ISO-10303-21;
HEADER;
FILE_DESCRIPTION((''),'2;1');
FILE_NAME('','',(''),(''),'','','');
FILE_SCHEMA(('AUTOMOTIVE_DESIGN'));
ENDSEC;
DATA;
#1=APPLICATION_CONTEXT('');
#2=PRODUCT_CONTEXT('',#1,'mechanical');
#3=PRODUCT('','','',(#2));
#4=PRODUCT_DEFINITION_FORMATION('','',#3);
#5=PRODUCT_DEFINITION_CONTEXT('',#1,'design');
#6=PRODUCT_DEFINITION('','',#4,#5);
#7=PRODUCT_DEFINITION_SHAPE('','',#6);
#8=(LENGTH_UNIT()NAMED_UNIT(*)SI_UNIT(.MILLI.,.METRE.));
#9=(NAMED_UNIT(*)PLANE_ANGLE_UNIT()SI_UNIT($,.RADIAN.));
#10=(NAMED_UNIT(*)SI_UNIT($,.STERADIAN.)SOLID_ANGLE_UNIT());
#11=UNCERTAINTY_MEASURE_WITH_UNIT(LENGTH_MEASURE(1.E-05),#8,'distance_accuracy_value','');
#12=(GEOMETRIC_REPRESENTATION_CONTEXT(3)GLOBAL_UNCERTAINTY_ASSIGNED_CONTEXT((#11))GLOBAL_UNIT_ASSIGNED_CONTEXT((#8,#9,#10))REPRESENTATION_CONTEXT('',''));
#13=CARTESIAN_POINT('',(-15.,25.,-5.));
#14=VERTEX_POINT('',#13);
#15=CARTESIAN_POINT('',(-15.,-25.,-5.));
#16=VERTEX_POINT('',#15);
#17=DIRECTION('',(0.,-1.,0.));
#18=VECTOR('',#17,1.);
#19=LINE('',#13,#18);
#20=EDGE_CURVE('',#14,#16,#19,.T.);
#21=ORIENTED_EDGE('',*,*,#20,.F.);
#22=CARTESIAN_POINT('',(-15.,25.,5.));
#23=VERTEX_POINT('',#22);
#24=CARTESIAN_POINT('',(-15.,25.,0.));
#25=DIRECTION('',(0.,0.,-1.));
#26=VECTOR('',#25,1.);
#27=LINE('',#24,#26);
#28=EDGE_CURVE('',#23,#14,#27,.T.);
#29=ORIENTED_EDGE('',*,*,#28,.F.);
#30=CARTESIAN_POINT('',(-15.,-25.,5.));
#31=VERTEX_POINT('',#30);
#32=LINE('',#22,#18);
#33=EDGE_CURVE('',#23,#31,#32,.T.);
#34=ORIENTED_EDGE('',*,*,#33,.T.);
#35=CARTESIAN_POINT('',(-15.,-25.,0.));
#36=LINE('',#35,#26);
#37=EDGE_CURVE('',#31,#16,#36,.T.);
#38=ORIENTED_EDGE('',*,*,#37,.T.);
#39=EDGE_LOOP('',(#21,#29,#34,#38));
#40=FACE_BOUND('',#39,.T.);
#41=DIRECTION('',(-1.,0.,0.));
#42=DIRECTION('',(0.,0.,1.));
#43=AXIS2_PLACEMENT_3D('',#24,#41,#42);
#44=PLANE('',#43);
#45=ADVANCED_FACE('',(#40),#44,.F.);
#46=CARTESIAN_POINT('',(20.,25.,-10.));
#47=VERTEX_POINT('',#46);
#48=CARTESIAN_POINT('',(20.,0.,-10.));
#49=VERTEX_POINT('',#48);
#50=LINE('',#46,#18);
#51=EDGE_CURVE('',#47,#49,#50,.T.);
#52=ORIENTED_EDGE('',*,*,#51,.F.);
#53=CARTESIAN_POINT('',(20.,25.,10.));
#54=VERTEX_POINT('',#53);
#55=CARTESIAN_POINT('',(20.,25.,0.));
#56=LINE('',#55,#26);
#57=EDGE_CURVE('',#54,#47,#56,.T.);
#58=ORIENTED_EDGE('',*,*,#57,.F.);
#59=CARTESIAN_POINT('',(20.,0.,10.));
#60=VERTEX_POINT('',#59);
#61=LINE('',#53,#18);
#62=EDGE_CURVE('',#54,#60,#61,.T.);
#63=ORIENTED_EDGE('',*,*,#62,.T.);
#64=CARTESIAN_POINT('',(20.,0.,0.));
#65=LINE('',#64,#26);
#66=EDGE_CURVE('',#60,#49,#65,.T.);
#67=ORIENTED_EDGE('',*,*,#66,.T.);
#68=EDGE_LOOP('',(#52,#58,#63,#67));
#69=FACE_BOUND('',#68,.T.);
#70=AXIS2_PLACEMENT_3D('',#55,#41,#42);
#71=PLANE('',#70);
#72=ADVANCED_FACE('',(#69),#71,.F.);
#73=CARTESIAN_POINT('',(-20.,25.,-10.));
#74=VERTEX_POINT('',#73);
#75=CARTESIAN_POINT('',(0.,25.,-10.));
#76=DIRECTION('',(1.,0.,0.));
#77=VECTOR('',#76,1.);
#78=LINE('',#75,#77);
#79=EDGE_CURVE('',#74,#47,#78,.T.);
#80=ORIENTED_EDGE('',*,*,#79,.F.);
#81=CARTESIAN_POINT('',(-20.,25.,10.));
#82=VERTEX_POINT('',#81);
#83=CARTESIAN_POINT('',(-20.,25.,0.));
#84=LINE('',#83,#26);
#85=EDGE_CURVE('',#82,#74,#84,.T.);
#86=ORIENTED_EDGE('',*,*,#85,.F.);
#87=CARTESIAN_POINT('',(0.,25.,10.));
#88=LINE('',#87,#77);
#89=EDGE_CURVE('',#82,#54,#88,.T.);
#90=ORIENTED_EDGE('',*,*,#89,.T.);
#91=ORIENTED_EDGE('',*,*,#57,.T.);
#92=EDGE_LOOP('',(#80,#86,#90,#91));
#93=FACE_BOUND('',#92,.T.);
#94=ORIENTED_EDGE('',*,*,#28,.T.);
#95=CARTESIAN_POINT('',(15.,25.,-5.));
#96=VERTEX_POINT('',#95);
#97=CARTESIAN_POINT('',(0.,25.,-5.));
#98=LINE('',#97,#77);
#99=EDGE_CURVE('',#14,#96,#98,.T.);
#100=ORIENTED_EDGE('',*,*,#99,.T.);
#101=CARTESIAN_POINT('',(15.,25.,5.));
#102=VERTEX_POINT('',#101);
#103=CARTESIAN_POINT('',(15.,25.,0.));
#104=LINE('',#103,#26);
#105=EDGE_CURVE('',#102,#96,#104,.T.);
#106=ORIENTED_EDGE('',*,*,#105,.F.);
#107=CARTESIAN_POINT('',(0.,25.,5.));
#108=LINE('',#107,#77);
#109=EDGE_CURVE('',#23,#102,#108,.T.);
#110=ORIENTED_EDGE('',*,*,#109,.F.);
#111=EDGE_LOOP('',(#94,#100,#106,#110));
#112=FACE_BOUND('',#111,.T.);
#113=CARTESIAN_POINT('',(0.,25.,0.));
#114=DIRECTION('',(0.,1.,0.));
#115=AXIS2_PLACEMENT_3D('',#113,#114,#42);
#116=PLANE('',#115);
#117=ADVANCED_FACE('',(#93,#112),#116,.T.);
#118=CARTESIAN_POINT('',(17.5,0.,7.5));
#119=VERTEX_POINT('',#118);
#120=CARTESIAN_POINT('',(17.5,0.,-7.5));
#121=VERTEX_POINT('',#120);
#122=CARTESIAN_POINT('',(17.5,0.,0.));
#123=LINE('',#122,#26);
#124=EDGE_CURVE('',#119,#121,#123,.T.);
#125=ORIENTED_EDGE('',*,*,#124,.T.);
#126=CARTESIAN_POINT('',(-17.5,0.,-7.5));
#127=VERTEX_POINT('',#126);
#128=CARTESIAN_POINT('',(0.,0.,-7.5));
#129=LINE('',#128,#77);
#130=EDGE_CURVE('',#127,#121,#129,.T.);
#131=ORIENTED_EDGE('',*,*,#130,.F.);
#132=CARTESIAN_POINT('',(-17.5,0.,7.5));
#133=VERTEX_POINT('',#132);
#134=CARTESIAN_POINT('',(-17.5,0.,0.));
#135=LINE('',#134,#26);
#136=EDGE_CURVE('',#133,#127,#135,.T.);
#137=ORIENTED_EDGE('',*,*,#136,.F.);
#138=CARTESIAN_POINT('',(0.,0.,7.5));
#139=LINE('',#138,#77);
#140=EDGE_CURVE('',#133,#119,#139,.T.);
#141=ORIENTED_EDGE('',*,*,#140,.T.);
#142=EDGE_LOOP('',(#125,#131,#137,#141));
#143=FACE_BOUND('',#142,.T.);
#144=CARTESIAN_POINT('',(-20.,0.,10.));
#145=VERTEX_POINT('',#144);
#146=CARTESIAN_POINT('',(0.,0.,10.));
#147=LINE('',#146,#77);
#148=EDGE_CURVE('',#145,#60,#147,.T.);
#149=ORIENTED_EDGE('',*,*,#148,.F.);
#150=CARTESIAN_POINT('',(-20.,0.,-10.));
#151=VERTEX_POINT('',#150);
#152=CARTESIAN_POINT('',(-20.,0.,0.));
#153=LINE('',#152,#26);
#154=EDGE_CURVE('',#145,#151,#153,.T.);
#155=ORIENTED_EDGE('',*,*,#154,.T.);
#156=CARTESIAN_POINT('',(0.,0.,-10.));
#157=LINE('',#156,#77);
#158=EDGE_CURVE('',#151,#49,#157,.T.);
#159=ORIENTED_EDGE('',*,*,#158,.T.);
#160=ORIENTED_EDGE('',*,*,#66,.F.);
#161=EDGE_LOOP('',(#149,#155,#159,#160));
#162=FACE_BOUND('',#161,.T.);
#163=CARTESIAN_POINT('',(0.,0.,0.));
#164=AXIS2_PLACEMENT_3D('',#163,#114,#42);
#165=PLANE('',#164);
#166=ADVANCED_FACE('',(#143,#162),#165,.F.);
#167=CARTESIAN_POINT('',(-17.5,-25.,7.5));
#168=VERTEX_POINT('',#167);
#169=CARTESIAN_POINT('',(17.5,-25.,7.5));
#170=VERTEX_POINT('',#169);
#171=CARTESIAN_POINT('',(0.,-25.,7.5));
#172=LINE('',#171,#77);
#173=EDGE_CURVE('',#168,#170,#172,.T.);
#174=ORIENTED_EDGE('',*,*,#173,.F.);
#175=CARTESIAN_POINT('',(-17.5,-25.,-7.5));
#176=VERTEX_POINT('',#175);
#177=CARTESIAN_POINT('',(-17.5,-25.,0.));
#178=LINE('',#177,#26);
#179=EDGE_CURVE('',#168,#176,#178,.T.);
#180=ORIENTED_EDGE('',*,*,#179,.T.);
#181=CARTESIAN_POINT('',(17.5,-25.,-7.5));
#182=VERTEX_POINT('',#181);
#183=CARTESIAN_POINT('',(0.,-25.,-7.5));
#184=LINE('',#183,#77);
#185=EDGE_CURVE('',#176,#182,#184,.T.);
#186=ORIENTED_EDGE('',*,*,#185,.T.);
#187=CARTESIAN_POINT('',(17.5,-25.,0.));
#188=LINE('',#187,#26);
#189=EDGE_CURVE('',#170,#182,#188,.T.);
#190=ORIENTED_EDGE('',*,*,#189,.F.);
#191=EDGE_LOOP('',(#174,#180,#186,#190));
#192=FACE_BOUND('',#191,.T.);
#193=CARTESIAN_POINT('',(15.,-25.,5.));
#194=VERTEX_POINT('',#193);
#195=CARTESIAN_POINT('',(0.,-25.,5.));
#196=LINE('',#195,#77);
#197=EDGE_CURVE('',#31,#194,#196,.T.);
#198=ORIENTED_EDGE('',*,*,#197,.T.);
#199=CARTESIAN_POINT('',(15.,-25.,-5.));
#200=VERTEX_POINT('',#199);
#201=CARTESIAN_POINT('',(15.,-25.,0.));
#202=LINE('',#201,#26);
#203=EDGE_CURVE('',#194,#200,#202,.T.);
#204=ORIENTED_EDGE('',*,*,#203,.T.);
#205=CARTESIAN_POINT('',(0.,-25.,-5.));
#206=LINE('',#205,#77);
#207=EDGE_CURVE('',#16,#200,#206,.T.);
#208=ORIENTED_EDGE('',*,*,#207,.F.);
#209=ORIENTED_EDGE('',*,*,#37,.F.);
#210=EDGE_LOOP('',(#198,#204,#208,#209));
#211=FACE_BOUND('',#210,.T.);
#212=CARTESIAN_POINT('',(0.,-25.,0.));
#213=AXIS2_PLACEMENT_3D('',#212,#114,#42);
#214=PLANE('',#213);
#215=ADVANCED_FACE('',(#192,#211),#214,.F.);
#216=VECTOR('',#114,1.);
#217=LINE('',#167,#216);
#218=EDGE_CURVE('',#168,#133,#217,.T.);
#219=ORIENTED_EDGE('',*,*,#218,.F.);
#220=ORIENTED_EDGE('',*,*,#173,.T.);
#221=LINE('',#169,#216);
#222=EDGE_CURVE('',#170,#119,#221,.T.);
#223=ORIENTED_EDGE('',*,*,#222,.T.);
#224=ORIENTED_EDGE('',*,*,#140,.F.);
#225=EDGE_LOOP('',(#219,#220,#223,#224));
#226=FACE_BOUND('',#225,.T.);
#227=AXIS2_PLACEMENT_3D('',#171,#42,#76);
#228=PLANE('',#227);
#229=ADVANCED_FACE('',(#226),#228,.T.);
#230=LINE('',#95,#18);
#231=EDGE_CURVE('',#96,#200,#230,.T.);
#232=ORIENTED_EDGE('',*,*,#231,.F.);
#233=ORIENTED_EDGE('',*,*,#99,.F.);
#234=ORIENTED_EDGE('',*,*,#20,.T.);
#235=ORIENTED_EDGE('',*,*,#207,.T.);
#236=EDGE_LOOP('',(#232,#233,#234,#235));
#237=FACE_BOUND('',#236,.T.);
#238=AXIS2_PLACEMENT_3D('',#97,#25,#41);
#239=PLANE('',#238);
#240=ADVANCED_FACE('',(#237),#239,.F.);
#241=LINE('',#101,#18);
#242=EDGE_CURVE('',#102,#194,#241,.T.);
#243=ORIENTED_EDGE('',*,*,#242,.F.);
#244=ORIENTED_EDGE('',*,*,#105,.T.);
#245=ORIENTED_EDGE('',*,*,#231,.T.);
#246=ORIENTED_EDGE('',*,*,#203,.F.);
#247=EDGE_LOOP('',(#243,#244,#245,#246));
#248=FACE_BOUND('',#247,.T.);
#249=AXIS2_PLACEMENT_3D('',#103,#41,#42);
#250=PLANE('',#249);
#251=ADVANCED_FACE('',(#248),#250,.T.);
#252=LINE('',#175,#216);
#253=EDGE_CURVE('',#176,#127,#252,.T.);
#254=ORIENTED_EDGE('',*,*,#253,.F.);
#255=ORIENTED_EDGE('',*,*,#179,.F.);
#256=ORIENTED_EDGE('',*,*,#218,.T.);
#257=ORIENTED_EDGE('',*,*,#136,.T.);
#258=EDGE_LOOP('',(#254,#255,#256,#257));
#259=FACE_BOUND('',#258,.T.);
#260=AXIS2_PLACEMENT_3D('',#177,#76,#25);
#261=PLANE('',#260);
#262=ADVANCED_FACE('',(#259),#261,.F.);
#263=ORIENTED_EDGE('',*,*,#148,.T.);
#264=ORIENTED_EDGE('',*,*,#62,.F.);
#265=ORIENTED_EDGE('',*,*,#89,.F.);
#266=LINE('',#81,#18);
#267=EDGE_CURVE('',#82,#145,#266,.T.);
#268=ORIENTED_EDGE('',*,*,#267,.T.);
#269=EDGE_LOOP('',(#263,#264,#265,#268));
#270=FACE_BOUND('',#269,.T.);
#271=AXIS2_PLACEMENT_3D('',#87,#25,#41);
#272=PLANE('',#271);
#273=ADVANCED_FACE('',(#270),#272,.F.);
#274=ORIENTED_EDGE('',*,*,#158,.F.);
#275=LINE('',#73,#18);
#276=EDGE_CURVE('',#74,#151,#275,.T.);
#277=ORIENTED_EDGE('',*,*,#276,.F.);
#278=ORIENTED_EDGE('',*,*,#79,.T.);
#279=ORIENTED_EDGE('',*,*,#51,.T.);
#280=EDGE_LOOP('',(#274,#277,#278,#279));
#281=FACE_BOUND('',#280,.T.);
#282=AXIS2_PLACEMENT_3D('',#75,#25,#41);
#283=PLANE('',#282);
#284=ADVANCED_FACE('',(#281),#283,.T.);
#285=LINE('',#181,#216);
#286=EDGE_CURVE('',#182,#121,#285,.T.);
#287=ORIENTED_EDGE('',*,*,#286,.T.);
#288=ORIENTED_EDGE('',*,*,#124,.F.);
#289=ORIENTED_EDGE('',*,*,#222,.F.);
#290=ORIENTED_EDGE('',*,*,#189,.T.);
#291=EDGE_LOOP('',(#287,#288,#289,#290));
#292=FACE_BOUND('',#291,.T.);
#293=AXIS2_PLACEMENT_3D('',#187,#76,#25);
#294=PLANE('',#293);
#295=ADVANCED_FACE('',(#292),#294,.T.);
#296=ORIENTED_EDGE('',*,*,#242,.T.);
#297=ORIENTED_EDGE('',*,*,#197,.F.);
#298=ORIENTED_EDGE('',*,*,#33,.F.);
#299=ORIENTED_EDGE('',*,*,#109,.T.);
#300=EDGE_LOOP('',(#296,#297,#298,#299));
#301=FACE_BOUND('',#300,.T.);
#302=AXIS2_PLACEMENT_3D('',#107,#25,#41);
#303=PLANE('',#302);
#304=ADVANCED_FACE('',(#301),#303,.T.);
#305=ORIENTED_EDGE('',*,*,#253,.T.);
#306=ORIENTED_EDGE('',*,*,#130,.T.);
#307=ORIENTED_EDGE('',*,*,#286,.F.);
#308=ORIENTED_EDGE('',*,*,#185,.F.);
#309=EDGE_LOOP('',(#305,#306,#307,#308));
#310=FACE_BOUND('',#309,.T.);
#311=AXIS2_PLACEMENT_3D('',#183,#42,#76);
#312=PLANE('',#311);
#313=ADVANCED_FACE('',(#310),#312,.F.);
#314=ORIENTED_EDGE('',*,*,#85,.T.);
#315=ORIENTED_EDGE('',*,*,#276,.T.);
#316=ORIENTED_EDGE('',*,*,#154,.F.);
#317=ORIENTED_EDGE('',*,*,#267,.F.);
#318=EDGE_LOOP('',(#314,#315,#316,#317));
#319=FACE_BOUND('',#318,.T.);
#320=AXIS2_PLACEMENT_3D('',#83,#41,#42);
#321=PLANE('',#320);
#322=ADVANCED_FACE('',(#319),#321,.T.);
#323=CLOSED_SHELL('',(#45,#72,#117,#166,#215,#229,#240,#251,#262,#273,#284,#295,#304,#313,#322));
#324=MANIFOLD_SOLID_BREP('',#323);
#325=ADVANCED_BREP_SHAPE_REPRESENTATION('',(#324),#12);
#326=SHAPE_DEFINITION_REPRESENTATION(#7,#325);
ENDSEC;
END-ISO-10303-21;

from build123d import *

# Parameters (mm, degrees)
SKETCH1_W           = 40
SKETCH1_H           = 20
SKETCH1_W_2         = 30
SKETCH1_H_2         = 10
BOSS_EXTRUDE1_DEPTH = 25
SKETCH1_3_W         = 35
SKETCH1_3_H         = 15
SKETCH1_3_W_2       = 30
SKETCH1_3_H_2       = 10
BOSS_EXTRUDE2_DEPTH = 25


with BuildPart() as part:
    # Sketch1 → Boss-Extrude1 (new body)
    with BuildSketch(Plane(origin=(0, 0, 0), x_dir=(1, 0, 0), z_dir=(0, 1, 0))):
        Rectangle(SKETCH1_W, SKETCH1_H)
        Rectangle(SKETCH1_W_2, SKETCH1_H_2, mode=Mode.SUBTRACT)
    extrude(amount=BOSS_EXTRUDE1_DEPTH)

    # Sketch1<3> → Boss-Extrude2 (add)
    with BuildSketch(Plane(origin=(0, 0, 0), x_dir=(1, 0, 0), z_dir=(0, 1, 0))):
        Rectangle(SKETCH1_3_W, SKETCH1_3_H)
        Rectangle(SKETCH1_3_W_2, SKETCH1_3_H_2, mode=Mode.SUBTRACT)
    extrude(amount=-BOSS_EXTRUDE2_DEPTH)


solid = part.part
